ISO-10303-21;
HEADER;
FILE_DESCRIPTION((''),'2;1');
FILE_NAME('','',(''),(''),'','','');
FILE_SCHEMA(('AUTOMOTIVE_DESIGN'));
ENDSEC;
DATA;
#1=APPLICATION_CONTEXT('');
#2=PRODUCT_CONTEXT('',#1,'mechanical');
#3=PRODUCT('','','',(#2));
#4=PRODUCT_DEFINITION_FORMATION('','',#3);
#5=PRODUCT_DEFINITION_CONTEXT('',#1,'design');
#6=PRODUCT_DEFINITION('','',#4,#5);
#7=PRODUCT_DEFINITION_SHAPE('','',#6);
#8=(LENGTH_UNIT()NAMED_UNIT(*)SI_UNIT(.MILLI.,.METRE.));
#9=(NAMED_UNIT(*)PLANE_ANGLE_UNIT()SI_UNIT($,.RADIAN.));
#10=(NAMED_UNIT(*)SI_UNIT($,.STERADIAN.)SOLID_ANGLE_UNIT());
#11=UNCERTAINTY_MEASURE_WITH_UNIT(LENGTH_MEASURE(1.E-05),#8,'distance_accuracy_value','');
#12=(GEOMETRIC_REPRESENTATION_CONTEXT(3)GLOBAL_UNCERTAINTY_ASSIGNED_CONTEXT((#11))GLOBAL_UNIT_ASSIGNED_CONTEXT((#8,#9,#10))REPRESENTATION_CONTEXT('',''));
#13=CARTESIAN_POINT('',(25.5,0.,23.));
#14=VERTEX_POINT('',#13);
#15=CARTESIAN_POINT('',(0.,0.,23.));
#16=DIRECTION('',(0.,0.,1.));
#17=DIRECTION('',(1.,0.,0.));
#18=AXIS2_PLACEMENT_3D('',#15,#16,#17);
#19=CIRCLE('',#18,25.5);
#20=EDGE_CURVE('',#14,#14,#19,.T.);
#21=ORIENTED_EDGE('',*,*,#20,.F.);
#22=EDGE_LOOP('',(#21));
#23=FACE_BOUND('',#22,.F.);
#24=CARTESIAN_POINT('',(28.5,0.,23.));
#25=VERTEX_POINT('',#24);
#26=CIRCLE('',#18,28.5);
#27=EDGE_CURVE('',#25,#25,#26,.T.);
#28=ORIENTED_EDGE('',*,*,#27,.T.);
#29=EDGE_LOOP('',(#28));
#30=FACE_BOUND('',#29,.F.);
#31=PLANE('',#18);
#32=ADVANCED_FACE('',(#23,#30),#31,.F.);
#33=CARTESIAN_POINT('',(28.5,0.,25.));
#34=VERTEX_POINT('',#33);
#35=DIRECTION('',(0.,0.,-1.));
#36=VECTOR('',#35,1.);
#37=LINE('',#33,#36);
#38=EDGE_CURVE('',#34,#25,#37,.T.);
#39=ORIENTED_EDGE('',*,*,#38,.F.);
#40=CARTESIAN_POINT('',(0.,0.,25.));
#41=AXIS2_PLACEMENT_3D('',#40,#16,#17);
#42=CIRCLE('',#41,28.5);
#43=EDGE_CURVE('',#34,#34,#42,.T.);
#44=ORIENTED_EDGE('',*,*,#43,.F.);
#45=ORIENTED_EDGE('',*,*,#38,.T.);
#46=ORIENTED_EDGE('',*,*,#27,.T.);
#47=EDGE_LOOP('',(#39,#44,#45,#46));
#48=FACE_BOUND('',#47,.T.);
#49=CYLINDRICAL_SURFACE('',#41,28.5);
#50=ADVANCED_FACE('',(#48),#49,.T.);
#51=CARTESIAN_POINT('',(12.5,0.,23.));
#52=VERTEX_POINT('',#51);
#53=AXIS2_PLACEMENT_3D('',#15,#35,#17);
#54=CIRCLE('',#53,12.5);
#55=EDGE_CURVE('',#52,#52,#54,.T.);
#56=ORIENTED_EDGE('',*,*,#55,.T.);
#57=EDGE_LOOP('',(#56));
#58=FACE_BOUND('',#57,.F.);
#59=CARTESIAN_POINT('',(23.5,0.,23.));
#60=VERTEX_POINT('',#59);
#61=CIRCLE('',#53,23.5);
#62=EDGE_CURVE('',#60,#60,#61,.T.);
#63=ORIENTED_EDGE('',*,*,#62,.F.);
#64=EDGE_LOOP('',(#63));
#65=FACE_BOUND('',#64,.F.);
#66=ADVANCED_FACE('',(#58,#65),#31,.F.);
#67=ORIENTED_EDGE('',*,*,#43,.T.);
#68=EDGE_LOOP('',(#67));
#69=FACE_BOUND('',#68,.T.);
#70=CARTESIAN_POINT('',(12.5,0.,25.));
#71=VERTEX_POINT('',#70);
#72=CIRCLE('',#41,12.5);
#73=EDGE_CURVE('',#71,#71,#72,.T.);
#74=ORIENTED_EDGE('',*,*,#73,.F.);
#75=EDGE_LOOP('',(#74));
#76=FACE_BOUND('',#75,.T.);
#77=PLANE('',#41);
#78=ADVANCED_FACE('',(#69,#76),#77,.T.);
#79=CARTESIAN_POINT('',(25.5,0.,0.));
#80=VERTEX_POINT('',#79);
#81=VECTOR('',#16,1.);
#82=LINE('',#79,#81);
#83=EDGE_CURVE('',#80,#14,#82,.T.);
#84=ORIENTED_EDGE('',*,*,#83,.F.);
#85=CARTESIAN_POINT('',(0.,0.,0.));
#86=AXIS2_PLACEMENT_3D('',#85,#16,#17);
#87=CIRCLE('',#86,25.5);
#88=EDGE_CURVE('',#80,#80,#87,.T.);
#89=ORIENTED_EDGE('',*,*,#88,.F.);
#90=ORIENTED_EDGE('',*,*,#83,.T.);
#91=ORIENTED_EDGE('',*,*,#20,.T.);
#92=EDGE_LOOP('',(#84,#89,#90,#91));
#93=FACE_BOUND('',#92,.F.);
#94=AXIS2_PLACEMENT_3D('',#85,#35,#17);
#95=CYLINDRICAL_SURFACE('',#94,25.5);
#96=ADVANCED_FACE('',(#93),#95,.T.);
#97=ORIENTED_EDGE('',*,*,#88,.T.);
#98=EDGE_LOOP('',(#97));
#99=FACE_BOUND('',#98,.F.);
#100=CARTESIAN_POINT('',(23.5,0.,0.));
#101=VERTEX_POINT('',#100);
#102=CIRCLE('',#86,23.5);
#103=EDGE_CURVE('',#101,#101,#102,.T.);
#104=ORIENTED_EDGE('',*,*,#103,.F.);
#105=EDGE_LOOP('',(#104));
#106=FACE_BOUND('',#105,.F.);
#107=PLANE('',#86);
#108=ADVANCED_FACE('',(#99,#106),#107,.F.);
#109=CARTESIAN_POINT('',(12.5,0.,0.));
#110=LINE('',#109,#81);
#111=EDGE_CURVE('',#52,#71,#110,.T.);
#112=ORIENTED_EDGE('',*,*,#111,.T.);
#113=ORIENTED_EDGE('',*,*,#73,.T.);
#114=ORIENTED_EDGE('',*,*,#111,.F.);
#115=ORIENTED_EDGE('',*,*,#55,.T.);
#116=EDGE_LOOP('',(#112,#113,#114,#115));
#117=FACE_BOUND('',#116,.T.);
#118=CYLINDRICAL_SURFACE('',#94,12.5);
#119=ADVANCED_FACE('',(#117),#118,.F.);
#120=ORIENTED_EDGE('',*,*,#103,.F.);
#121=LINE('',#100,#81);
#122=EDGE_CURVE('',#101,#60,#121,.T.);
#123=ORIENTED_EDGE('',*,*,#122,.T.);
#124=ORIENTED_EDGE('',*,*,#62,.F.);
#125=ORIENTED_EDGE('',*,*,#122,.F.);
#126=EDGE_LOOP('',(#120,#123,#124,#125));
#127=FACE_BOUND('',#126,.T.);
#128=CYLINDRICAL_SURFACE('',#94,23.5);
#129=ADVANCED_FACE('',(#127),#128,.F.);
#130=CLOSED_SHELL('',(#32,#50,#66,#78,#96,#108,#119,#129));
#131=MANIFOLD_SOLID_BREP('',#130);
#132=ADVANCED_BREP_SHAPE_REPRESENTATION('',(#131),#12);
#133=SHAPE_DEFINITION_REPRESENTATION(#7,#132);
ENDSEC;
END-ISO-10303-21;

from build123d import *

# Parameters (mm, degrees)
F0_R     = 25.5
F0_R_2   = 12.5
F1_DEPTH = 25
F2_T     = -2
F3_DEPTH = 25
F4_R     = 28.5
F4_R_2   = 25.5
F5_DEPTH = 2


with BuildPart() as f1:
    # F0 (on Top) → F1 (new body)
    with BuildSketch(Plane.XY):
        Circle(F0_R)
        Circle(F0_R_2, mode=Mode.SUBTRACT)
        Circle(F0_R_2)
    extrude(amount=F1_DEPTH)

    # F2
    f2_openings = [f1.faces().sort_by_distance(p)[0] for p in [
        (0, 0, 0),
    ]]
    offset(amount=F2_T, openings=f2_openings)

    # F0 (on Top) → F3 (cut, through all)
    with BuildSketch(Plane.XY):
        Circle(F0_R_2)
    extrude(amount=F3_DEPTH, mode=Mode.SUBTRACT)

    # F4 (on face) → F5 (join)
    with BuildSketch(Plane.XY.offset(25)):
        Circle(F4_R)
        Circle(F4_R_2, mode=Mode.SUBTRACT)
    extrude(amount=-F5_DEPTH)


solid = f1.part
